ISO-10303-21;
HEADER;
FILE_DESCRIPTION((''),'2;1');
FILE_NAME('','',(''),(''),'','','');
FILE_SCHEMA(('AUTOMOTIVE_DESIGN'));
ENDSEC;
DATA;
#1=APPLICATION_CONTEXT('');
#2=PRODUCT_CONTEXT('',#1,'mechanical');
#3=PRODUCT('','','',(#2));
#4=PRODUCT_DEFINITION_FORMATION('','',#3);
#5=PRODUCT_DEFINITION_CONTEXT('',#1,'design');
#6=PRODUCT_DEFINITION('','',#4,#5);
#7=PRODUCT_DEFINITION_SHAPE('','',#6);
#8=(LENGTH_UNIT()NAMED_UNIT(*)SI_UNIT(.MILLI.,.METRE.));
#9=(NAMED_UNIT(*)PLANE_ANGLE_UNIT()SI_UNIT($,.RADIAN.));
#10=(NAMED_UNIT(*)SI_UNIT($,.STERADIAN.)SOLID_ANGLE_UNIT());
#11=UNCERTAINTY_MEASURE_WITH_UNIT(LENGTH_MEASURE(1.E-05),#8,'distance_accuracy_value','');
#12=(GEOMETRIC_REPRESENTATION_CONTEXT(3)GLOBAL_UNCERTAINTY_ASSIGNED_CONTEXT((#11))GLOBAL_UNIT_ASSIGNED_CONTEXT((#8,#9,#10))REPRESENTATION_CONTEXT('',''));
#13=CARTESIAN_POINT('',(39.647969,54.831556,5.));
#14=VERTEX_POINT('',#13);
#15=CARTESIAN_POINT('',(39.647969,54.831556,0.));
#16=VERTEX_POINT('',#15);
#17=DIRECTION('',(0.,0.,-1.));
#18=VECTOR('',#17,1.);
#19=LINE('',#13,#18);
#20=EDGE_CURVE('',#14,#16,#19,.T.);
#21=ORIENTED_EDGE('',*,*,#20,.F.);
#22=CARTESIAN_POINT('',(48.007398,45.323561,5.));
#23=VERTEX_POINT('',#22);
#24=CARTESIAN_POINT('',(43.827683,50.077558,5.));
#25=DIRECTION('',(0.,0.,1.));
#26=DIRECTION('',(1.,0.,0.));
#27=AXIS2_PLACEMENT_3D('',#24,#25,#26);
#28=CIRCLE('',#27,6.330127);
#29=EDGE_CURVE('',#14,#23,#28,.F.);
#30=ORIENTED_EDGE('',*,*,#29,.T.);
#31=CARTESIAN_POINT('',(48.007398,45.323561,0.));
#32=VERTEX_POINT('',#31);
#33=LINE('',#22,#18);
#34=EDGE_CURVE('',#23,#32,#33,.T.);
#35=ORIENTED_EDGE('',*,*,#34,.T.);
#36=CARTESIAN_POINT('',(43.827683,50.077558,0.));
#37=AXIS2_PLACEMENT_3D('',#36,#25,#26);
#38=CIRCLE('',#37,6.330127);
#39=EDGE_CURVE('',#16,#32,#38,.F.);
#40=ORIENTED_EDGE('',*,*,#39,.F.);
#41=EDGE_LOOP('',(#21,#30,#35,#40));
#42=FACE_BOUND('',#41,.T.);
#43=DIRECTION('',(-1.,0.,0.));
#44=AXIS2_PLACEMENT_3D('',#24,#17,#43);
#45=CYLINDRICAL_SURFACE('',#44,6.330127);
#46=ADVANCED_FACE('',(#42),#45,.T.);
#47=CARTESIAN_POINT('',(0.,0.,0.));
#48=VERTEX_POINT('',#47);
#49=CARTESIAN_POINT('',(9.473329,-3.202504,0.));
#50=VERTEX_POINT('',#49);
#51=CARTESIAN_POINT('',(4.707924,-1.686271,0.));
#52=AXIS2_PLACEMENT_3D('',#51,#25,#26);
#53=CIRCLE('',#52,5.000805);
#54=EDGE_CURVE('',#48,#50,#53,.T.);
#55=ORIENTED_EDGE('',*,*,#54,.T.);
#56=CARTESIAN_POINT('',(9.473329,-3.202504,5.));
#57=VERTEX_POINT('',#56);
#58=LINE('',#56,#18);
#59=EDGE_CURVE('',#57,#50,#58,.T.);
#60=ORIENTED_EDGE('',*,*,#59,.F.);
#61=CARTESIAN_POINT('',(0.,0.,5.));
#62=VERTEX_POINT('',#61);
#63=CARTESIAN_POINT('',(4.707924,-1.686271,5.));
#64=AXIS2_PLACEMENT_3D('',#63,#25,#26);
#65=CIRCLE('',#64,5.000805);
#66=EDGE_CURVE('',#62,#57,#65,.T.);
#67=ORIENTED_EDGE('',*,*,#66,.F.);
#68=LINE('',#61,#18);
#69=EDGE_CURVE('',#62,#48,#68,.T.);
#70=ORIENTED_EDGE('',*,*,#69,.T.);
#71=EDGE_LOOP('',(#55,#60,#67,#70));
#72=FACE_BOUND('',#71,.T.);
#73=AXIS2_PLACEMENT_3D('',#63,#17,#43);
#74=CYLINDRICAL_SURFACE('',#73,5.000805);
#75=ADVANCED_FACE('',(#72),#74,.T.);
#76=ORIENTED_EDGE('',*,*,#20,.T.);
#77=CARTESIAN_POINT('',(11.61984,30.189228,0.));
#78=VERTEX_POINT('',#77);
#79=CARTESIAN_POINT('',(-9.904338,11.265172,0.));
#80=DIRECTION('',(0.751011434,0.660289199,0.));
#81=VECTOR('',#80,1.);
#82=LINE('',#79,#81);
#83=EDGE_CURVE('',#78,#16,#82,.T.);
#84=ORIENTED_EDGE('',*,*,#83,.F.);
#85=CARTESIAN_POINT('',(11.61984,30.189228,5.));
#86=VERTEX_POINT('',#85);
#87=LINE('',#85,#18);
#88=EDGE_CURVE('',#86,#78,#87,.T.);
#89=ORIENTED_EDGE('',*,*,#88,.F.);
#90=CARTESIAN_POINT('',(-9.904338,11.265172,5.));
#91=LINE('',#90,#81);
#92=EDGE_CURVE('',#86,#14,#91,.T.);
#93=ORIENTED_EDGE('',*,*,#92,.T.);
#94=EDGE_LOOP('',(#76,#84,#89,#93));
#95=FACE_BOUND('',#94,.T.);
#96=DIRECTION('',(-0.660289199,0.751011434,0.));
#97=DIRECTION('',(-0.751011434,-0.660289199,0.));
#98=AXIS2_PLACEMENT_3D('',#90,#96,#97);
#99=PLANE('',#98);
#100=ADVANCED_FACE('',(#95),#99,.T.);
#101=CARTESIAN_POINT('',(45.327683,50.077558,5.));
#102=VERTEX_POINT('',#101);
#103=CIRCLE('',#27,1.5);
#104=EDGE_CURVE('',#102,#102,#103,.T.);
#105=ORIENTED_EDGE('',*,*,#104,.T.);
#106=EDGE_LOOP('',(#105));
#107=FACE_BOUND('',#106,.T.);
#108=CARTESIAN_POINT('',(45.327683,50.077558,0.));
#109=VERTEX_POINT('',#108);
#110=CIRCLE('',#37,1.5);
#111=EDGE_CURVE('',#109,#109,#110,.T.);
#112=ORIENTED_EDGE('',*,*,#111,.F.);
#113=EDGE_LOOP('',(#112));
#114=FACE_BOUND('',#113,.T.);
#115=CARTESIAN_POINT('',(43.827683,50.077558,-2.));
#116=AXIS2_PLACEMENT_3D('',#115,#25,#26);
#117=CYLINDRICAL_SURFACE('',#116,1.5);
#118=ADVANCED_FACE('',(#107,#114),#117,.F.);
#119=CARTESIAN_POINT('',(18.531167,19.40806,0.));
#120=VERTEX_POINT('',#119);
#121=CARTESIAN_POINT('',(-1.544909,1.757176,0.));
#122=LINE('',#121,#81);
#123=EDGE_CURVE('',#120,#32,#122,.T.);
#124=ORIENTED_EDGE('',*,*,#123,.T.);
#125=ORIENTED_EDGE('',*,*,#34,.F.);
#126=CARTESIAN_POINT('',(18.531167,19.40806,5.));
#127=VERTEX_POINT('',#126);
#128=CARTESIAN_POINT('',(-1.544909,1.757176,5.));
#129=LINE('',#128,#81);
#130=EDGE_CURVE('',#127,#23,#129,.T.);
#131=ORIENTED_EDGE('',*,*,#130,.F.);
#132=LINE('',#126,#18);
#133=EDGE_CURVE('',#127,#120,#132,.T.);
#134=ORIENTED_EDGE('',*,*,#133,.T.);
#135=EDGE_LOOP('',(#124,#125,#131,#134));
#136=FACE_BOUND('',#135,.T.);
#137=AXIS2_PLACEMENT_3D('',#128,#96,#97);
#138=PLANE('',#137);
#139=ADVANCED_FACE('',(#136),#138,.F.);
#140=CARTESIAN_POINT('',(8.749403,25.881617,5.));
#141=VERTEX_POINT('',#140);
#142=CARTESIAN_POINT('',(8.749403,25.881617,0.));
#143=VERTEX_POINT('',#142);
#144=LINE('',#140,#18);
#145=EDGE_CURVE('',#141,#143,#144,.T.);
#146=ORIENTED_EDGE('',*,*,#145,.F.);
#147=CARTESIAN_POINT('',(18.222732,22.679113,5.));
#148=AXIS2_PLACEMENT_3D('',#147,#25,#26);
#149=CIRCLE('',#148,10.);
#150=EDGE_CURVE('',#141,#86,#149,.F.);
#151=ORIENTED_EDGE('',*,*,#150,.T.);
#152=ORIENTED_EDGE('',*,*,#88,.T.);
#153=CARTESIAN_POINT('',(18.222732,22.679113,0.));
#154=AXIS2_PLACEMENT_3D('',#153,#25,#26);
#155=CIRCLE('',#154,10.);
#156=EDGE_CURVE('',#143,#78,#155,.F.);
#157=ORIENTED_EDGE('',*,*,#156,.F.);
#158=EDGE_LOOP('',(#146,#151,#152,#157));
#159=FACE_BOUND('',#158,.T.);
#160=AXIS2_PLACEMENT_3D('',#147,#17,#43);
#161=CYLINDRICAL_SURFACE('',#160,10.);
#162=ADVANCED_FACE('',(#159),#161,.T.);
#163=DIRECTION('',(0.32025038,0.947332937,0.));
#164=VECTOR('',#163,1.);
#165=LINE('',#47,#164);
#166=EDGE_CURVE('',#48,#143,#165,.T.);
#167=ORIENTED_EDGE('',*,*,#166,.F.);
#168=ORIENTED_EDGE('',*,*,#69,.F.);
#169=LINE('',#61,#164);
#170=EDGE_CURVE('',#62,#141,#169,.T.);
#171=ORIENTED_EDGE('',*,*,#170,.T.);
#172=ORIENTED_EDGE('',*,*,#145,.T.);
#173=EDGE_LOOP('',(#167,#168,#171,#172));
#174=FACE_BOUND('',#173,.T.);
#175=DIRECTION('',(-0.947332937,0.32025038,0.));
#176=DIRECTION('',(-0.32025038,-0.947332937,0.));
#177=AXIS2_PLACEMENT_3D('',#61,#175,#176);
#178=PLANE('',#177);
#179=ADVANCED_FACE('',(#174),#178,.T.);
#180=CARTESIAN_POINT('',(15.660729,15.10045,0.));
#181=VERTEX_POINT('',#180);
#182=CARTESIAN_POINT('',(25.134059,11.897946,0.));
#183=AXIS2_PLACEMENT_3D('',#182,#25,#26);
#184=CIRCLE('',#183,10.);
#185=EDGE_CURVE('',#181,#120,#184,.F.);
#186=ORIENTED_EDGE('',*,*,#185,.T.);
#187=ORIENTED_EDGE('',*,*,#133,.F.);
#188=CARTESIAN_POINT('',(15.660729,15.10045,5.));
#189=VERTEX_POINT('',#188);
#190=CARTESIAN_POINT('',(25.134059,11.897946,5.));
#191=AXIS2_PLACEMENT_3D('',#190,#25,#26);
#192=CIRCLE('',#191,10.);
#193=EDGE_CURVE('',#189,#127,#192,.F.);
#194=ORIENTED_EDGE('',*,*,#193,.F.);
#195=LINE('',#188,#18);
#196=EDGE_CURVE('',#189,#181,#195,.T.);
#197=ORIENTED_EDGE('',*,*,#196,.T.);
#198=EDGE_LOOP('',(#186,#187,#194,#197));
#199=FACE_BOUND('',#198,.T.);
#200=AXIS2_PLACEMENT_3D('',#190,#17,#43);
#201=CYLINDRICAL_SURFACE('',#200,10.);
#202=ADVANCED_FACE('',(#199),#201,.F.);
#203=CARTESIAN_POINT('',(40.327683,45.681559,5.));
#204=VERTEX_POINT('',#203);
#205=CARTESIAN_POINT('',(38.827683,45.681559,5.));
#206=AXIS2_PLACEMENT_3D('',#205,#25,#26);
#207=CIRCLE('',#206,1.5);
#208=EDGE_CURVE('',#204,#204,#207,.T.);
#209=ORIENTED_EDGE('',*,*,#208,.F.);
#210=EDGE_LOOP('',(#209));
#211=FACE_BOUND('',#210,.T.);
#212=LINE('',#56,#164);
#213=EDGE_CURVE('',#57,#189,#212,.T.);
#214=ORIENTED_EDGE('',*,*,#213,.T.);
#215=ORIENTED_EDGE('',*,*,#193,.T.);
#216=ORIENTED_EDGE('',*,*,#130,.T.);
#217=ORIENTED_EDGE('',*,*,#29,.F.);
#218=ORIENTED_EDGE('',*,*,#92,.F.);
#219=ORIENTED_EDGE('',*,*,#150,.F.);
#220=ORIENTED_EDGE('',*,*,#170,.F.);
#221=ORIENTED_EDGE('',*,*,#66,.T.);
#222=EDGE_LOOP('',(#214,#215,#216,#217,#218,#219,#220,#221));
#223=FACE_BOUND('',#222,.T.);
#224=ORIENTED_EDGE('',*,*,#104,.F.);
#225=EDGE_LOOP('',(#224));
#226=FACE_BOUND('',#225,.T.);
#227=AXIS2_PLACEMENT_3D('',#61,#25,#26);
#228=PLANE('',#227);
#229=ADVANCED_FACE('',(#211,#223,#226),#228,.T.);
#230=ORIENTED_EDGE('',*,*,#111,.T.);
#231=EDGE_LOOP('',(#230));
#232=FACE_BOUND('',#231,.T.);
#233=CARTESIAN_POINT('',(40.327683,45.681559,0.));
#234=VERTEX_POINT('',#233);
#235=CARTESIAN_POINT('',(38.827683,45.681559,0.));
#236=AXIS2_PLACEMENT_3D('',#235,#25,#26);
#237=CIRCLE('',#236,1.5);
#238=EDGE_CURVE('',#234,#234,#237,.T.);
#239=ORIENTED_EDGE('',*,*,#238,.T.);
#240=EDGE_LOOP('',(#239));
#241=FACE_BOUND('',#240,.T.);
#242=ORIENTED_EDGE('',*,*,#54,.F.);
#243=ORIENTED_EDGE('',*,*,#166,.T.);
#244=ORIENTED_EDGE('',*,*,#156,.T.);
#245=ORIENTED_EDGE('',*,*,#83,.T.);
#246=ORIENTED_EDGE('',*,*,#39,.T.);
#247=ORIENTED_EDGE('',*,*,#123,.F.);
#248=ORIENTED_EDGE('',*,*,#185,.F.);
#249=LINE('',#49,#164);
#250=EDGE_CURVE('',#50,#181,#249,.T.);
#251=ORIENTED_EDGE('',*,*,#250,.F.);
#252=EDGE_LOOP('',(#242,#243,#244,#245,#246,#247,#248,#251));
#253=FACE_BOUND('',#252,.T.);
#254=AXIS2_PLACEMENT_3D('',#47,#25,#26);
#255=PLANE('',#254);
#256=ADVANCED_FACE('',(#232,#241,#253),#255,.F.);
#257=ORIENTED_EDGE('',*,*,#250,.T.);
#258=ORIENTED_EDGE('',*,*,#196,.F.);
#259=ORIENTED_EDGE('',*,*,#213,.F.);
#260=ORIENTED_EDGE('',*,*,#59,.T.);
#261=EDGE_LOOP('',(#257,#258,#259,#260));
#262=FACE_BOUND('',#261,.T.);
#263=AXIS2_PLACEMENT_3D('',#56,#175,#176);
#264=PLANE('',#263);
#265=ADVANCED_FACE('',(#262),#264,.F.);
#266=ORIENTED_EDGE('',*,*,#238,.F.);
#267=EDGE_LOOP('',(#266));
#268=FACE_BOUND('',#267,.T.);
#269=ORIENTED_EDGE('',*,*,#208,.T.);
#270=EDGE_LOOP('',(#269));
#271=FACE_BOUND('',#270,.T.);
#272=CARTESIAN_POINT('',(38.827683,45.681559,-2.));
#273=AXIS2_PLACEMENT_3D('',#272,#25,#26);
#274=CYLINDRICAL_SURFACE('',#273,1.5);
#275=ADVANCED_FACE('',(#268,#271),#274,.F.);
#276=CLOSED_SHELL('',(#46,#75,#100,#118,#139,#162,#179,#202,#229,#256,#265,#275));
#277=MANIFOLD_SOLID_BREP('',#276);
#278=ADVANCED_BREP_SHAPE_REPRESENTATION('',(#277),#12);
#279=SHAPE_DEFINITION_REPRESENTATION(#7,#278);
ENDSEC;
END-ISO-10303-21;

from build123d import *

# Parameters (mm, degrees)
BOSS_EXTRUDE1_DEPTH = 5
SKETCH4_R           = 1.5
CUT_EXTRUDE1_DEPTH  = 7


with BuildPart() as part:
    # Sketch3 → Boss-Extrude1 (new body)
    with BuildSketch(Plane.XY):
        with BuildLine():
            Line((0, 0), (8.749403104, 25.881617161))
            ThreePointArc((8.749403104, 25.881617161), (9.901067951, 28.224372552), (11.619840483, 30.189227692))
            Line((11.619840483, 30.189227692), (39.647968755, 54.831556085))
            ThreePointArc((39.647968755, 54.831556085), (48.581681022, 54.257272818), (48.007397755, 45.323560551))
            Line((48.007397755, 45.323560551), (18.531166812, 19.408060391))
            ThreePointArc((18.531166812, 19.408060391), (16.812394279, 17.44320525), (15.660729432, 15.100449859))
            Line((15.660729432, 15.100449859), (9.473329372, -3.202503804))
            ThreePointArc((9.473329372, -3.202503804), (3.106413686, -6.423698846), (0, 0))
        make_face()
    extrude(amount=BOSS_EXTRUDE1_DEPTH)

    # Sketch4 → Cut-Extrude1 (cut)
    with BuildSketch(Plane.XY.offset(5)):
        with Locations((43.827683255, 50.077558318)):
            Circle(SKETCH4_R)
        with Locations((38.827683255, 45.681558672)):
            Circle(SKETCH4_R)
    extrude(amount=-CUT_EXTRUDE1_DEPTH, mode=Mode.SUBTRACT)


solid = part.part
